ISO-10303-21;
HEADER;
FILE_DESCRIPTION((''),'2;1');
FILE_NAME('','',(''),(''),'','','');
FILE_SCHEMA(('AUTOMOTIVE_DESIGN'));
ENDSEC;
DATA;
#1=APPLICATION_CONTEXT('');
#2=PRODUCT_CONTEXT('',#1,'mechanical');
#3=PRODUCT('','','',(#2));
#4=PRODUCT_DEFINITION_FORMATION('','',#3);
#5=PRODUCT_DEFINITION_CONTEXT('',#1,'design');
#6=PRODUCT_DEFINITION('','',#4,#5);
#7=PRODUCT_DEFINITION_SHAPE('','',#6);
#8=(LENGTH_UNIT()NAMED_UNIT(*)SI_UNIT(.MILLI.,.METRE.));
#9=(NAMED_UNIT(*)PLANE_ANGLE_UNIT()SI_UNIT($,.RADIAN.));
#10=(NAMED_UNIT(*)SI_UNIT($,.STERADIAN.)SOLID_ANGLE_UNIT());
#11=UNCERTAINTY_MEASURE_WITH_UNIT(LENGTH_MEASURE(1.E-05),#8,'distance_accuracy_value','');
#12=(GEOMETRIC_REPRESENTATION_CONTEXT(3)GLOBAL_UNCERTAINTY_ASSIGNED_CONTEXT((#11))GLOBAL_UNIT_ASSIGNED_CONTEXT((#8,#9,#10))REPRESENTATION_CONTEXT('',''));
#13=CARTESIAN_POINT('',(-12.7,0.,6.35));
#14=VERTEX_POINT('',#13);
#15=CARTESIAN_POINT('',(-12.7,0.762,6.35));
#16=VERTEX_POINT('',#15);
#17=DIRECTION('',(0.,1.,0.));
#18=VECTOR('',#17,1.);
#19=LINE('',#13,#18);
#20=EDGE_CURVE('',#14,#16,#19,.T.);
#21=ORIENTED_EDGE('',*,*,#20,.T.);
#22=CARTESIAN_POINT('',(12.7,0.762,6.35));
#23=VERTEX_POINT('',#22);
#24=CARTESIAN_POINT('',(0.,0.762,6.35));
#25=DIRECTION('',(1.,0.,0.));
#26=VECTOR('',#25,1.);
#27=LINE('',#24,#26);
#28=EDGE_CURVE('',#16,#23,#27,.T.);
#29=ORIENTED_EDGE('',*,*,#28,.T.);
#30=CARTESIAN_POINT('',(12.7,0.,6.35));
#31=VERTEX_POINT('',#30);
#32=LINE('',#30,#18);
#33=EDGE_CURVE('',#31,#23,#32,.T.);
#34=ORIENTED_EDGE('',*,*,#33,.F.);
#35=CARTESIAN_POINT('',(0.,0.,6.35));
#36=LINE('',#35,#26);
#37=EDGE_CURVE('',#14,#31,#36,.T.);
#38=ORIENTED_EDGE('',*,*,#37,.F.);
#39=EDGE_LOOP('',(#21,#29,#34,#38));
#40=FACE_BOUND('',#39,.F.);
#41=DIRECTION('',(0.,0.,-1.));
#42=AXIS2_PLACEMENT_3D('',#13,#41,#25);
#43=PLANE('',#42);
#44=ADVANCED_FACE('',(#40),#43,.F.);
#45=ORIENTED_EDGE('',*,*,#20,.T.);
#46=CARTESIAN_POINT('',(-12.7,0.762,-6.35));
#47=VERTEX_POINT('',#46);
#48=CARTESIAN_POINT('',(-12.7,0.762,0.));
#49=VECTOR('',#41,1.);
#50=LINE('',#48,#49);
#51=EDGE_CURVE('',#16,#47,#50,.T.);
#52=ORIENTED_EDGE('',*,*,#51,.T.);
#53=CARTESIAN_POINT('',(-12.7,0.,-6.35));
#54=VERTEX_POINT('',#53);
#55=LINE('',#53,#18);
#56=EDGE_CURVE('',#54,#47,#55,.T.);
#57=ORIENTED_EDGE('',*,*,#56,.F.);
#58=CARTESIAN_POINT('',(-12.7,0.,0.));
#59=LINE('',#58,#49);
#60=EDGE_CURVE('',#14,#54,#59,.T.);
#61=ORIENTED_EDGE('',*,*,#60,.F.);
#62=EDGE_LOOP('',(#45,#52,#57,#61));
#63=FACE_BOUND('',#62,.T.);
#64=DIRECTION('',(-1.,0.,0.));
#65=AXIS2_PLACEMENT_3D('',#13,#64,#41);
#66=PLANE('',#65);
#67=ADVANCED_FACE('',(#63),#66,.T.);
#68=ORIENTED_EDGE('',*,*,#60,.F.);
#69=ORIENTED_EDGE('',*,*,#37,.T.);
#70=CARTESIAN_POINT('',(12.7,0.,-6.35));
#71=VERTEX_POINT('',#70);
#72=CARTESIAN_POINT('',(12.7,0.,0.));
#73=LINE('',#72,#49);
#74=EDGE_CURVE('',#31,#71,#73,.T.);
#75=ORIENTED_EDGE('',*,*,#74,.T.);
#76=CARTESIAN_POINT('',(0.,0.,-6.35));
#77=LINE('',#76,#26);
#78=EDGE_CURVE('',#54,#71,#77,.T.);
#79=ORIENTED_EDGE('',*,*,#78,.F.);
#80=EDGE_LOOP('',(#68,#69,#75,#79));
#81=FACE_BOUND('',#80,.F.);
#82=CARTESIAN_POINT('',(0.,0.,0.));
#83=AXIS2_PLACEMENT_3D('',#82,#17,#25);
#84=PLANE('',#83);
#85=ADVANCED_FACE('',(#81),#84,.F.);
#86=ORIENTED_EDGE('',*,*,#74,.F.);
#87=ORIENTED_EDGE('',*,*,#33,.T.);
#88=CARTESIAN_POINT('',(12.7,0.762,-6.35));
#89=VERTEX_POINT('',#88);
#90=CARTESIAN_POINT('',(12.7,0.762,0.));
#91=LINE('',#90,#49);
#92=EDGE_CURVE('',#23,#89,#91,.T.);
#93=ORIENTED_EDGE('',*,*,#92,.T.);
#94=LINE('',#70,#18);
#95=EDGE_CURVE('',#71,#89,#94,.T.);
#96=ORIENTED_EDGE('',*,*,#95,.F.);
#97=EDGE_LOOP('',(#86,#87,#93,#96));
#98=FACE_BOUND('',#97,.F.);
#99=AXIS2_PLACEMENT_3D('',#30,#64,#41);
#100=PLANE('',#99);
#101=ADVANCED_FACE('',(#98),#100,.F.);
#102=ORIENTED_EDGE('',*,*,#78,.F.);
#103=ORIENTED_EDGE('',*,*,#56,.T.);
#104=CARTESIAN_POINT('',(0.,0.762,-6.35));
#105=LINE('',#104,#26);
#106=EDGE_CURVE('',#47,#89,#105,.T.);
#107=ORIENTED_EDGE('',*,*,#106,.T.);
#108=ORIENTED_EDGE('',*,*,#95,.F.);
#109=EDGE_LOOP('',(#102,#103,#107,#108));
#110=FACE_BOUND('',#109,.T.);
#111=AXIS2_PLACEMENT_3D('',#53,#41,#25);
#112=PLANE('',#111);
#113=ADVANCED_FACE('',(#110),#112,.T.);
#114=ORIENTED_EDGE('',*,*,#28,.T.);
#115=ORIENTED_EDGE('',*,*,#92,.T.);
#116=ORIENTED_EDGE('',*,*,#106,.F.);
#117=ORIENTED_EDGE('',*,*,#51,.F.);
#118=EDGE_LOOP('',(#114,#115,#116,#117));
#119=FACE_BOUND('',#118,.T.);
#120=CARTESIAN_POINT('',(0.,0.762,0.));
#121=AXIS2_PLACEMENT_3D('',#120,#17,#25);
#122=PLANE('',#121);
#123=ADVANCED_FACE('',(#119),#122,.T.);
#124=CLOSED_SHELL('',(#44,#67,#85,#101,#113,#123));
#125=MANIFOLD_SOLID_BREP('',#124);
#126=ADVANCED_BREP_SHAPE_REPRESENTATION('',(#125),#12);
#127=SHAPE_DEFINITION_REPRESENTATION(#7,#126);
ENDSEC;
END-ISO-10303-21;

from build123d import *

# Parameters (mm, degrees)
SKETCH1_W           = 25.4
SKETCH1_H           = 12.7
BOSS_EXTRUDE1_DEPTH = 0.762


with BuildPart() as part:
    # Sketch1 → Boss-Extrude1 (new body)
    with BuildSketch(Plane(origin=(0, 0, 0), x_dir=(1, 0, 0), z_dir=(0, 1, 0))):
        Rectangle(SKETCH1_W, SKETCH1_H)
    extrude(amount=BOSS_EXTRUDE1_DEPTH)


solid = part.part
